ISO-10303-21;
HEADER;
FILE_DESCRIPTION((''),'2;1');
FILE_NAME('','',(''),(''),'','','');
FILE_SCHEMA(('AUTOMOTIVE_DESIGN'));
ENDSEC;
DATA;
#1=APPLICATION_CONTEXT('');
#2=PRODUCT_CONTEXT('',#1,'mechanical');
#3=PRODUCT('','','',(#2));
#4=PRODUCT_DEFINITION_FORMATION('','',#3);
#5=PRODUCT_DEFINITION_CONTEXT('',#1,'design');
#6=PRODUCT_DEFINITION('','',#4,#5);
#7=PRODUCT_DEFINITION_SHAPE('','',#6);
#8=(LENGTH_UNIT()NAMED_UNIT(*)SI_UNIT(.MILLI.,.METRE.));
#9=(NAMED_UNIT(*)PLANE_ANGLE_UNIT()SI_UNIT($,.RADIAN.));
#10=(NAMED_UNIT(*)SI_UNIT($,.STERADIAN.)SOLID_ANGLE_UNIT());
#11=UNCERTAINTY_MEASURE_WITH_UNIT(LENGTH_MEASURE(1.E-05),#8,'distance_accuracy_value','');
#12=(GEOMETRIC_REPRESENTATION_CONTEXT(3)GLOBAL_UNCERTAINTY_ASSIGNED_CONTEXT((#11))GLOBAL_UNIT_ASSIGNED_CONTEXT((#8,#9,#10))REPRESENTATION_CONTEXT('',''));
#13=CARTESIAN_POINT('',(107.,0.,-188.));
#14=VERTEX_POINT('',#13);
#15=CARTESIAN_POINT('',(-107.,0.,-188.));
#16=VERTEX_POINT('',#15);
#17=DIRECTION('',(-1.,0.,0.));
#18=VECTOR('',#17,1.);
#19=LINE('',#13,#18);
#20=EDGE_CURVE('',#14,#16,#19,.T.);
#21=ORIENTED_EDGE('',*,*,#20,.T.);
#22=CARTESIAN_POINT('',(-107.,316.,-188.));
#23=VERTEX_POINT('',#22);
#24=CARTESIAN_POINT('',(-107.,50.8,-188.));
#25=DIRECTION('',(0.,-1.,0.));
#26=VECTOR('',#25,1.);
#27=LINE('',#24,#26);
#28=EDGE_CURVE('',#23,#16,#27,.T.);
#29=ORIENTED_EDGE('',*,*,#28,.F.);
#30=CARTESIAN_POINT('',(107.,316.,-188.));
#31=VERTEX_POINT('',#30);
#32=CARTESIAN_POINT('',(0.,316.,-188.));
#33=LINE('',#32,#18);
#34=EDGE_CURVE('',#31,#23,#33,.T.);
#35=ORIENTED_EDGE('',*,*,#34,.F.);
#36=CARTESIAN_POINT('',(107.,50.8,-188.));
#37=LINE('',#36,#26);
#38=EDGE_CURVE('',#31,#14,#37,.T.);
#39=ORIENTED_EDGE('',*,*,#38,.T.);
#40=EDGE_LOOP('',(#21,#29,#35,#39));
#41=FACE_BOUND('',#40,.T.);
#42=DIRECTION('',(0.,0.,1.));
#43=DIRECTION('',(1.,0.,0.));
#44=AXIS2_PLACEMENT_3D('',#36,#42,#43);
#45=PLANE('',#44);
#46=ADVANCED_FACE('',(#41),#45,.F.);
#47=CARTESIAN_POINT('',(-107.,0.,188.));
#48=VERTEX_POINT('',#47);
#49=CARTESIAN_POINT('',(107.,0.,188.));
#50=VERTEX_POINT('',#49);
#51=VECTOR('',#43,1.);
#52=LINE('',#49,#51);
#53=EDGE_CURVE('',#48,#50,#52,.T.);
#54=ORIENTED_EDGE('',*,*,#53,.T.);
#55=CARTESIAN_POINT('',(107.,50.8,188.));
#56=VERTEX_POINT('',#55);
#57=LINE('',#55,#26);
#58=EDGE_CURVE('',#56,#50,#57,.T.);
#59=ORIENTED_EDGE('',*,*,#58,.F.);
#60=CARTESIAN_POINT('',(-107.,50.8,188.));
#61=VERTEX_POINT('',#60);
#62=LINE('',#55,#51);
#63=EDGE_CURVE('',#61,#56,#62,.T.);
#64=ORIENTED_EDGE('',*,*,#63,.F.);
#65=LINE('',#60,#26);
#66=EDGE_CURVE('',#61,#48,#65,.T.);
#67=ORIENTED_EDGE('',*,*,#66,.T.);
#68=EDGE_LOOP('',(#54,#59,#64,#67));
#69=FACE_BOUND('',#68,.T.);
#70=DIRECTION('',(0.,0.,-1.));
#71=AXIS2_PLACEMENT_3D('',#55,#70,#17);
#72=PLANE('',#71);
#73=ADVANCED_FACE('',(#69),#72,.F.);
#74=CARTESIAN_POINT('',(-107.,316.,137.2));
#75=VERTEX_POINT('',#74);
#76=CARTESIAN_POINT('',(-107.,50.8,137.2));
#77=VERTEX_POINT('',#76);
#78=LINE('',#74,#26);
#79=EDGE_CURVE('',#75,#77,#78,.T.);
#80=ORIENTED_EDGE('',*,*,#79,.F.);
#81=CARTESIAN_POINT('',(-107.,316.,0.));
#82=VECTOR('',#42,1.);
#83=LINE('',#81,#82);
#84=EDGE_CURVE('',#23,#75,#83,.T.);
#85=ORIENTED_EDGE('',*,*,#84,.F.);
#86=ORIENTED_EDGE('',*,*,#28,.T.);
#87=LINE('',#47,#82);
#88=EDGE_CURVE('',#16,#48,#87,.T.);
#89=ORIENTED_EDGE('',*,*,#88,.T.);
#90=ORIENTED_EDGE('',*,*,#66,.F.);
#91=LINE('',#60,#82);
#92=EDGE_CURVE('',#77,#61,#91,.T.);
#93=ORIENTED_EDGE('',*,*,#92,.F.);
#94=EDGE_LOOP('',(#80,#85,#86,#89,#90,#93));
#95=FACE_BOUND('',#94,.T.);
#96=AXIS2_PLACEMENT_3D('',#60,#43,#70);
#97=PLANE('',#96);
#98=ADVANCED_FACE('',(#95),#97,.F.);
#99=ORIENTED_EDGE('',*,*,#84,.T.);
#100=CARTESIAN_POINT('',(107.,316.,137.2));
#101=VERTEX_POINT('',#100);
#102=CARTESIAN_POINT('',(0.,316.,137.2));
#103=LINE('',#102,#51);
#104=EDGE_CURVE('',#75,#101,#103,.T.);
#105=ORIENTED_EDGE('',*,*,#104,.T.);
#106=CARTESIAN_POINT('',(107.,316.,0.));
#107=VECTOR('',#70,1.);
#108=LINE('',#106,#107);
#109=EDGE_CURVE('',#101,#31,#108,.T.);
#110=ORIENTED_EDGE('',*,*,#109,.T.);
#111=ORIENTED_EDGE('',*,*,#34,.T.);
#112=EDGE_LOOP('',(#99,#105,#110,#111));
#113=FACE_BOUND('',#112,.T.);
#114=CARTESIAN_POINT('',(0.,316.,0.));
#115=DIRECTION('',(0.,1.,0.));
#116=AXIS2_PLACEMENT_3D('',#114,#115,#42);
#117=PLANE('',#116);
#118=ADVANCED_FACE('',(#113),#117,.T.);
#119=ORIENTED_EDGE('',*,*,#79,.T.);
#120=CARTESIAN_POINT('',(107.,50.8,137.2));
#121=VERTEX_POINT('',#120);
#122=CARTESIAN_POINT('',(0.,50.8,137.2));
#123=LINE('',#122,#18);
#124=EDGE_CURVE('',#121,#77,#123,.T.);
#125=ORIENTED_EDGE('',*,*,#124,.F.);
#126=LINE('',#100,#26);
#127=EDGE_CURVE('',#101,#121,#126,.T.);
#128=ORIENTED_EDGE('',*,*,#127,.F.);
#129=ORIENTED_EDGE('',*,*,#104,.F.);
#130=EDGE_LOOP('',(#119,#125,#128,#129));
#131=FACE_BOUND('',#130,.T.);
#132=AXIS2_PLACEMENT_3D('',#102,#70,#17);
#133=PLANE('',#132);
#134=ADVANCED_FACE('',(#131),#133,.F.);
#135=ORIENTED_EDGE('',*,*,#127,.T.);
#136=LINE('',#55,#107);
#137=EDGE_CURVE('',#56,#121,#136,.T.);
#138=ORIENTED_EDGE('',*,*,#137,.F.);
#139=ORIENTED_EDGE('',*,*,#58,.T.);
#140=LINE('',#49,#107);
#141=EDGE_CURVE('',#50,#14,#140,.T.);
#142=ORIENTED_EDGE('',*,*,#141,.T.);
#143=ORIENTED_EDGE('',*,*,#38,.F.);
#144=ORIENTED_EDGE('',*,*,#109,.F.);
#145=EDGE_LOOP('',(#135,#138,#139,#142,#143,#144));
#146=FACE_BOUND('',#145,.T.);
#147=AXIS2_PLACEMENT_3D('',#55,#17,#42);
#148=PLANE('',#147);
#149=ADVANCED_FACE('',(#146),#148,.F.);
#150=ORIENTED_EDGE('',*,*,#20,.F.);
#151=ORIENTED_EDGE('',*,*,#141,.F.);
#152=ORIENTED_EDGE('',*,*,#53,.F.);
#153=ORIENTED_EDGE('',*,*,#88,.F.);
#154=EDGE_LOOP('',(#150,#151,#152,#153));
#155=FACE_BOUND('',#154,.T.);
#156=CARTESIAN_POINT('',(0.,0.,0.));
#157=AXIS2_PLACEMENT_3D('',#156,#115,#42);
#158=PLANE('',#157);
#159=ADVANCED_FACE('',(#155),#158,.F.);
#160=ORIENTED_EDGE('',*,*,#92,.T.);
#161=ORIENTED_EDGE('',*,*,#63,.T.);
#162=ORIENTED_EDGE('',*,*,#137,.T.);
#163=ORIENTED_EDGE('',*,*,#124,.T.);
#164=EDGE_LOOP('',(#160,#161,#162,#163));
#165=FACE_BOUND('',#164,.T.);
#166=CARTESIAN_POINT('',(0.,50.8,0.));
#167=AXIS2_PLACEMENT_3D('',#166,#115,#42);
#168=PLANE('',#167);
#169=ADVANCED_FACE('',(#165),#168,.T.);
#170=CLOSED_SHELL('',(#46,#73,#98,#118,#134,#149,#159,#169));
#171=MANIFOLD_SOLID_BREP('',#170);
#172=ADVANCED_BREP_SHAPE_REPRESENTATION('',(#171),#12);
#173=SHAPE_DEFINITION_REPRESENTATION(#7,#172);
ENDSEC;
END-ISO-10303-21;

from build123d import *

# Parameters (mm, degrees)
SKETCH1_W           = 214
SKETCH1_H           = 376
BOSS_EXTRUDE1_DEPTH = 50.8
BOSS_EXTRUDE2_START = -50.8
SKETCH2_W           = 214
SKETCH2_H           = 325.2
BOSS_EXTRUDE2_DEPTH = 316


with BuildPart() as part:
    # Sketch1 → Boss-Extrude1 (new body)
    with BuildSketch(Plane(origin=(0, 0, 0), x_dir=(1, 0, 0), z_dir=(0, 1, 0))):
        Rectangle(SKETCH1_W, SKETCH1_H)
    extrude(amount=BOSS_EXTRUDE1_DEPTH)

    # Sketch2 → Boss-Extrude2 (add)
    with BuildSketch(Plane(origin=(0, 50.8, 0), x_dir=(1, 0, 0), z_dir=(0, 1, 0)).offset(BOSS_EXTRUDE2_START)):
        with Locations((0, 25.4)):
            Rectangle(SKETCH2_W, SKETCH2_H)
    extrude(amount=BOSS_EXTRUDE2_DEPTH)


solid = part.part
